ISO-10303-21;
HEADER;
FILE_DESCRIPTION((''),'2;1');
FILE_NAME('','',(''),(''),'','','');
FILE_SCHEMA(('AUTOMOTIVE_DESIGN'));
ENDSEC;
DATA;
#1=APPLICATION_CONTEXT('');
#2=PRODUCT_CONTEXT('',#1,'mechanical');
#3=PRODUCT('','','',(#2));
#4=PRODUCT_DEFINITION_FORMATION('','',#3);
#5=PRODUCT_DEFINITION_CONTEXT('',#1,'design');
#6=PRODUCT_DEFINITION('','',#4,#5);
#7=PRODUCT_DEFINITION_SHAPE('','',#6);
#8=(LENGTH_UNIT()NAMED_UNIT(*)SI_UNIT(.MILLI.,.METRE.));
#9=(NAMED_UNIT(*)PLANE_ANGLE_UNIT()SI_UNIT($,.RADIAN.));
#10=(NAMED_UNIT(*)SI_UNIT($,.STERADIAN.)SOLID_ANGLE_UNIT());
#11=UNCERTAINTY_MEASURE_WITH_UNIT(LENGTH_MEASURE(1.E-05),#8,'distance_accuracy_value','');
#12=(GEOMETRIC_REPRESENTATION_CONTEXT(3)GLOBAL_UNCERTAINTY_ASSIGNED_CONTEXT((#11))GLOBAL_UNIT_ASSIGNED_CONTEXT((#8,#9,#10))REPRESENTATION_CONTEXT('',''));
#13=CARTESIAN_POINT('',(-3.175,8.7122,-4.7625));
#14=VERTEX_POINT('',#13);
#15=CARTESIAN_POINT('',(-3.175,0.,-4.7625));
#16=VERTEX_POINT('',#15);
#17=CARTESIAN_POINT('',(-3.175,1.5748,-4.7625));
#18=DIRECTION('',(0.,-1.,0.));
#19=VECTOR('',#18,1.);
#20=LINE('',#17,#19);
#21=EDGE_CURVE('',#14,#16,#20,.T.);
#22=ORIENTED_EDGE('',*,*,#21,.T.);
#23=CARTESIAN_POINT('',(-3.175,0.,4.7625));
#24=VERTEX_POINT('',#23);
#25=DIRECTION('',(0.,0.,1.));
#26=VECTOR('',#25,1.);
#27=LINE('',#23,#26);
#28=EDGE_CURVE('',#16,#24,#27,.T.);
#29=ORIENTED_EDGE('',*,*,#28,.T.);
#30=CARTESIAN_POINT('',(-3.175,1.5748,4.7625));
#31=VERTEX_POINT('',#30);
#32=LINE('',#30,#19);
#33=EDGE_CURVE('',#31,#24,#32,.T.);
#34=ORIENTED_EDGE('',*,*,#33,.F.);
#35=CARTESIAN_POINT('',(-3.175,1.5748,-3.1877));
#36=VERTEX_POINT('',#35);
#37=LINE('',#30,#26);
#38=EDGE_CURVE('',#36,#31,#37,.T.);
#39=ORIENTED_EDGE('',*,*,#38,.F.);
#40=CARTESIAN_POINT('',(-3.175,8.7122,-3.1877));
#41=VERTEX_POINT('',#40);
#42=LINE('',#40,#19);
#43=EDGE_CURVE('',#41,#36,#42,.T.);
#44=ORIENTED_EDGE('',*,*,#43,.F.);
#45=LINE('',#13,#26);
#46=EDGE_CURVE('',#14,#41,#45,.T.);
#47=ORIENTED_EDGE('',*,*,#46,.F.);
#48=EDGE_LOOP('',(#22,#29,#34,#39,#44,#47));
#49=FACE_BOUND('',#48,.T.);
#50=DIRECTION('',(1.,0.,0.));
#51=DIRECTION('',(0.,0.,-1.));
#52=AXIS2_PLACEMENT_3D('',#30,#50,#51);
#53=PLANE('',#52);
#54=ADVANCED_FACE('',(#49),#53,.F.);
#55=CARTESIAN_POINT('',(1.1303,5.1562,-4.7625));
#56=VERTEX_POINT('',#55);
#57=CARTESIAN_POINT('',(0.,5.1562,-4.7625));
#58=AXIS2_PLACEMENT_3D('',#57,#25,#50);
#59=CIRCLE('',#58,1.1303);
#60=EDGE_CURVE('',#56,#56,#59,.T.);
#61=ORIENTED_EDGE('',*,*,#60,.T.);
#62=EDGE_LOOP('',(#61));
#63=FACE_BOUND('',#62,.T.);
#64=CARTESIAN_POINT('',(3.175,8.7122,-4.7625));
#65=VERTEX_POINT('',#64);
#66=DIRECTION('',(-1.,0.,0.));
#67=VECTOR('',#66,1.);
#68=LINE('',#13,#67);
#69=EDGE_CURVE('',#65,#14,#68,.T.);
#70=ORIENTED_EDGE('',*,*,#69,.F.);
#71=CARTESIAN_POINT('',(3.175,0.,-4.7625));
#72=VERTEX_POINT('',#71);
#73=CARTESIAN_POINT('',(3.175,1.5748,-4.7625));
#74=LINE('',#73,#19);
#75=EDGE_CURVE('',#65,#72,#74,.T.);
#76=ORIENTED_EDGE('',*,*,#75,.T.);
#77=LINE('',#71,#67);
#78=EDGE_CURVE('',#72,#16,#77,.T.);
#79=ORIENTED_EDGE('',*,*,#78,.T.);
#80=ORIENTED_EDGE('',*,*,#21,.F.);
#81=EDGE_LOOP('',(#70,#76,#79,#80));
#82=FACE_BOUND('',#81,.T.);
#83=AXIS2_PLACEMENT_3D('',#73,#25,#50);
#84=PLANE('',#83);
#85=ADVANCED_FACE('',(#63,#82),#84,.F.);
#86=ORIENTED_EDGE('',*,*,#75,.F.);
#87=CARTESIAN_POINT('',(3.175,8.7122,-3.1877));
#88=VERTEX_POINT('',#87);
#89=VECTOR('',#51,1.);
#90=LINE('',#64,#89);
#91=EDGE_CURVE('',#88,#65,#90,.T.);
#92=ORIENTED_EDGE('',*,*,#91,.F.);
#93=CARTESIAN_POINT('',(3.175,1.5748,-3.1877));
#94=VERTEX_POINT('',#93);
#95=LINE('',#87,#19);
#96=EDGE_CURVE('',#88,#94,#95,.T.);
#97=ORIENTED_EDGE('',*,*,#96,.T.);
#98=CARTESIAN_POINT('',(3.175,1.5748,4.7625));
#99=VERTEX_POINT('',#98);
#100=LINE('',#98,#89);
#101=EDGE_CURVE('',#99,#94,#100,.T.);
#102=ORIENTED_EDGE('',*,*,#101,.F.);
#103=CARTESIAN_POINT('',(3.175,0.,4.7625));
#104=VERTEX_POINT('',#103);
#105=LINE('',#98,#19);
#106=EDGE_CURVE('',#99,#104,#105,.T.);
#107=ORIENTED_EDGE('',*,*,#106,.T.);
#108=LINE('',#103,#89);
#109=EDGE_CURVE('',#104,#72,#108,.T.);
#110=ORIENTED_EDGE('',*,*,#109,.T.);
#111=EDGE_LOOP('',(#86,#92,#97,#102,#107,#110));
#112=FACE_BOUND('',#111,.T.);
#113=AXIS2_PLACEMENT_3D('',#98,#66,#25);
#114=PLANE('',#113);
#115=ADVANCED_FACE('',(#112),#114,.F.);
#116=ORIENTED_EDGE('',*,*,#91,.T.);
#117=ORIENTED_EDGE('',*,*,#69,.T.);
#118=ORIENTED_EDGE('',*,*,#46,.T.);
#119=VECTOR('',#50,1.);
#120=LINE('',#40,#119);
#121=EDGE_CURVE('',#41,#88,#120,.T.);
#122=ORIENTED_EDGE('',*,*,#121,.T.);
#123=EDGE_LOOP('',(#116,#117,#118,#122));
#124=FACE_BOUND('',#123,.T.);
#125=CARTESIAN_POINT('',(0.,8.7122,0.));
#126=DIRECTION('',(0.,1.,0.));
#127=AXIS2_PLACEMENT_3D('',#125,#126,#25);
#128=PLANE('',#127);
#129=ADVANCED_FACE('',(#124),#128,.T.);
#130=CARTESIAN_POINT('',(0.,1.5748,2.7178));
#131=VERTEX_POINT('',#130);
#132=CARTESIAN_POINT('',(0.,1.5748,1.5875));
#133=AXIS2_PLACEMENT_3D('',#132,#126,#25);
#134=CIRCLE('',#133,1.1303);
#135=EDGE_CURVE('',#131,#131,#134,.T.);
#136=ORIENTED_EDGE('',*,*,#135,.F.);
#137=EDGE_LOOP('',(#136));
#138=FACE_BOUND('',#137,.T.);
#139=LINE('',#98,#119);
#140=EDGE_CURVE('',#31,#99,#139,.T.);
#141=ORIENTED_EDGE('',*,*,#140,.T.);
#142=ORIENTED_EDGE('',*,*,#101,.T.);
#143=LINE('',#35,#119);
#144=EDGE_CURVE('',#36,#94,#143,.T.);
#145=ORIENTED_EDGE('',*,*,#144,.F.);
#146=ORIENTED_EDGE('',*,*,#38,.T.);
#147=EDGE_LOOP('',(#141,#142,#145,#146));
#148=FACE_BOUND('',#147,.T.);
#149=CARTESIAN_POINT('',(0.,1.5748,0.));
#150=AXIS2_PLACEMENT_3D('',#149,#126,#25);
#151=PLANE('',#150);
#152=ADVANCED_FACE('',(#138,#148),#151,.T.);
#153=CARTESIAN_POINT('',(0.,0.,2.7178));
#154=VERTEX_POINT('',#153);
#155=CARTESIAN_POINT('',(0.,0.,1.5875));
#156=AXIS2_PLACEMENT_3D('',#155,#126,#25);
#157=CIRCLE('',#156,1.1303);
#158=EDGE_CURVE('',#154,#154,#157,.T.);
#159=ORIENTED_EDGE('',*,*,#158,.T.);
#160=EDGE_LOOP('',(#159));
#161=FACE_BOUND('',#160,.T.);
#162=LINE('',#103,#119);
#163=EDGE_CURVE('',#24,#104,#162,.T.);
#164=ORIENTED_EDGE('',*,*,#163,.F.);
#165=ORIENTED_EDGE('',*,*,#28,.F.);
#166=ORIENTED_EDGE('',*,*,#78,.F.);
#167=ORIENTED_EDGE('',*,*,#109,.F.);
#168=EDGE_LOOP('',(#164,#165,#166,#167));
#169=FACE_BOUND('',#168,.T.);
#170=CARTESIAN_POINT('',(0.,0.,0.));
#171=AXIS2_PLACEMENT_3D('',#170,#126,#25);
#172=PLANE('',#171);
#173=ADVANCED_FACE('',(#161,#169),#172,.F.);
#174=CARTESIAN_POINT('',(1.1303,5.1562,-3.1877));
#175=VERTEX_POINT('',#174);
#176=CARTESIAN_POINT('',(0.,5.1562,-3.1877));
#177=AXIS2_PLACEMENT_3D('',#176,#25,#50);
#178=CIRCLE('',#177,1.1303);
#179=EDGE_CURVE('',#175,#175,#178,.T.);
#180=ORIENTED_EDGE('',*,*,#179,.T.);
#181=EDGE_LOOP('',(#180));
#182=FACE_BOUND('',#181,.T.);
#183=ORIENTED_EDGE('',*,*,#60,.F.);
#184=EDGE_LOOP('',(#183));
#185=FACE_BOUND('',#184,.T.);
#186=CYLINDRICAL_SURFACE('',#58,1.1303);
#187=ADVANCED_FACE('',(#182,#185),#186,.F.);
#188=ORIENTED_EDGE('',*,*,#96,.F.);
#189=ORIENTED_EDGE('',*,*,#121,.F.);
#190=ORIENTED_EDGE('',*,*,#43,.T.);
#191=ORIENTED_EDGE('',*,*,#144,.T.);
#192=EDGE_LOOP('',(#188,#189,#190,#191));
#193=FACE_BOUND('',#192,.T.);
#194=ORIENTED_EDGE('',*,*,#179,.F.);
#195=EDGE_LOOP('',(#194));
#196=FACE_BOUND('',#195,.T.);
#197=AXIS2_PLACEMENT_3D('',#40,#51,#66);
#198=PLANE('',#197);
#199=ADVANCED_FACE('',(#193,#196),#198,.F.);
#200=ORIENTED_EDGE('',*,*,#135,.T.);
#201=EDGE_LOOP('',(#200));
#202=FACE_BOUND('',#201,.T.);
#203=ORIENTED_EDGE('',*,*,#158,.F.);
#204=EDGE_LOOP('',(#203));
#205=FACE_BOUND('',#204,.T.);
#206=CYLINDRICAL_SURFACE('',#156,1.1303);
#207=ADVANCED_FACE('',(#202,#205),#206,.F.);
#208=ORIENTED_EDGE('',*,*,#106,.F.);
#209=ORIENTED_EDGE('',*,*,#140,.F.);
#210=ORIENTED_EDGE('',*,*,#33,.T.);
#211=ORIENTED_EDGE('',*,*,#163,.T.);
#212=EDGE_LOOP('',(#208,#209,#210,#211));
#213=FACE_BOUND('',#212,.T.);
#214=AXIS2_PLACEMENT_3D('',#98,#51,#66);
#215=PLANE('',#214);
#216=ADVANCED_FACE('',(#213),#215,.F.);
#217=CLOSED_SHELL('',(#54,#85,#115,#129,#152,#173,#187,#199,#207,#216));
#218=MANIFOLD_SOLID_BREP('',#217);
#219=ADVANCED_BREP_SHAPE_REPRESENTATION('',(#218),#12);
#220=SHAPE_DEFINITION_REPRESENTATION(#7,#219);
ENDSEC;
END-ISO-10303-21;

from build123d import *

# Parameters (mm, degrees)
SKETCH1_W           = 6.35
SKETCH1_H           = 9.525
BOSS_EXTRUDE1_DEPTH = 1.5748
SKETCH2_R           = 1.1303
CUT_EXTRUDE1_DEPTH  = 2.5748
SKETCH3_W           = 6.35
SKETCH3_H           = 1.5748
BOSS_EXTRUDE2_DEPTH = 7.1374
SKETCH4_R           = 1.1303
CUT_EXTRUDE2_DEPTH  = 2.5748


with BuildPart() as part:
    # Sketch1 → Boss-Extrude1 (new body)
    with BuildSketch(Plane(origin=(0, 0, 0), x_dir=(1, 0, 0), z_dir=(0, 1, 0))):
        Rectangle(SKETCH1_W, SKETCH1_H)
    extrude(amount=BOSS_EXTRUDE1_DEPTH)

    # Sketch2 → Cut-Extrude1 (cut, through all)
    with BuildSketch(Plane(origin=(0, 1.5748, 0), x_dir=(1, 0, 0), z_dir=(0, 1, 0))):
        with Locations((0, -1.5875)):
            Circle(SKETCH2_R)
    extrude(amount=-CUT_EXTRUDE1_DEPTH, mode=Mode.SUBTRACT)

    # Sketch3 → Boss-Extrude2 (add)
    with BuildSketch(Plane(origin=(0, 1.5748, 0), x_dir=(1, 0, 0), z_dir=(0, 1, 0))):
        with Locations((0, 3.9751)):
            Rectangle(SKETCH3_W, SKETCH3_H)
    extrude(amount=BOSS_EXTRUDE2_DEPTH)

    # Sketch4 → Cut-Extrude2 (cut, through all)
    with BuildSketch(Plane.XY.offset(-3.1877)):
        with Locations((0, 5.1562)):
            Circle(SKETCH4_R)
    extrude(amount=-CUT_EXTRUDE2_DEPTH, mode=Mode.SUBTRACT)


solid = part.part
